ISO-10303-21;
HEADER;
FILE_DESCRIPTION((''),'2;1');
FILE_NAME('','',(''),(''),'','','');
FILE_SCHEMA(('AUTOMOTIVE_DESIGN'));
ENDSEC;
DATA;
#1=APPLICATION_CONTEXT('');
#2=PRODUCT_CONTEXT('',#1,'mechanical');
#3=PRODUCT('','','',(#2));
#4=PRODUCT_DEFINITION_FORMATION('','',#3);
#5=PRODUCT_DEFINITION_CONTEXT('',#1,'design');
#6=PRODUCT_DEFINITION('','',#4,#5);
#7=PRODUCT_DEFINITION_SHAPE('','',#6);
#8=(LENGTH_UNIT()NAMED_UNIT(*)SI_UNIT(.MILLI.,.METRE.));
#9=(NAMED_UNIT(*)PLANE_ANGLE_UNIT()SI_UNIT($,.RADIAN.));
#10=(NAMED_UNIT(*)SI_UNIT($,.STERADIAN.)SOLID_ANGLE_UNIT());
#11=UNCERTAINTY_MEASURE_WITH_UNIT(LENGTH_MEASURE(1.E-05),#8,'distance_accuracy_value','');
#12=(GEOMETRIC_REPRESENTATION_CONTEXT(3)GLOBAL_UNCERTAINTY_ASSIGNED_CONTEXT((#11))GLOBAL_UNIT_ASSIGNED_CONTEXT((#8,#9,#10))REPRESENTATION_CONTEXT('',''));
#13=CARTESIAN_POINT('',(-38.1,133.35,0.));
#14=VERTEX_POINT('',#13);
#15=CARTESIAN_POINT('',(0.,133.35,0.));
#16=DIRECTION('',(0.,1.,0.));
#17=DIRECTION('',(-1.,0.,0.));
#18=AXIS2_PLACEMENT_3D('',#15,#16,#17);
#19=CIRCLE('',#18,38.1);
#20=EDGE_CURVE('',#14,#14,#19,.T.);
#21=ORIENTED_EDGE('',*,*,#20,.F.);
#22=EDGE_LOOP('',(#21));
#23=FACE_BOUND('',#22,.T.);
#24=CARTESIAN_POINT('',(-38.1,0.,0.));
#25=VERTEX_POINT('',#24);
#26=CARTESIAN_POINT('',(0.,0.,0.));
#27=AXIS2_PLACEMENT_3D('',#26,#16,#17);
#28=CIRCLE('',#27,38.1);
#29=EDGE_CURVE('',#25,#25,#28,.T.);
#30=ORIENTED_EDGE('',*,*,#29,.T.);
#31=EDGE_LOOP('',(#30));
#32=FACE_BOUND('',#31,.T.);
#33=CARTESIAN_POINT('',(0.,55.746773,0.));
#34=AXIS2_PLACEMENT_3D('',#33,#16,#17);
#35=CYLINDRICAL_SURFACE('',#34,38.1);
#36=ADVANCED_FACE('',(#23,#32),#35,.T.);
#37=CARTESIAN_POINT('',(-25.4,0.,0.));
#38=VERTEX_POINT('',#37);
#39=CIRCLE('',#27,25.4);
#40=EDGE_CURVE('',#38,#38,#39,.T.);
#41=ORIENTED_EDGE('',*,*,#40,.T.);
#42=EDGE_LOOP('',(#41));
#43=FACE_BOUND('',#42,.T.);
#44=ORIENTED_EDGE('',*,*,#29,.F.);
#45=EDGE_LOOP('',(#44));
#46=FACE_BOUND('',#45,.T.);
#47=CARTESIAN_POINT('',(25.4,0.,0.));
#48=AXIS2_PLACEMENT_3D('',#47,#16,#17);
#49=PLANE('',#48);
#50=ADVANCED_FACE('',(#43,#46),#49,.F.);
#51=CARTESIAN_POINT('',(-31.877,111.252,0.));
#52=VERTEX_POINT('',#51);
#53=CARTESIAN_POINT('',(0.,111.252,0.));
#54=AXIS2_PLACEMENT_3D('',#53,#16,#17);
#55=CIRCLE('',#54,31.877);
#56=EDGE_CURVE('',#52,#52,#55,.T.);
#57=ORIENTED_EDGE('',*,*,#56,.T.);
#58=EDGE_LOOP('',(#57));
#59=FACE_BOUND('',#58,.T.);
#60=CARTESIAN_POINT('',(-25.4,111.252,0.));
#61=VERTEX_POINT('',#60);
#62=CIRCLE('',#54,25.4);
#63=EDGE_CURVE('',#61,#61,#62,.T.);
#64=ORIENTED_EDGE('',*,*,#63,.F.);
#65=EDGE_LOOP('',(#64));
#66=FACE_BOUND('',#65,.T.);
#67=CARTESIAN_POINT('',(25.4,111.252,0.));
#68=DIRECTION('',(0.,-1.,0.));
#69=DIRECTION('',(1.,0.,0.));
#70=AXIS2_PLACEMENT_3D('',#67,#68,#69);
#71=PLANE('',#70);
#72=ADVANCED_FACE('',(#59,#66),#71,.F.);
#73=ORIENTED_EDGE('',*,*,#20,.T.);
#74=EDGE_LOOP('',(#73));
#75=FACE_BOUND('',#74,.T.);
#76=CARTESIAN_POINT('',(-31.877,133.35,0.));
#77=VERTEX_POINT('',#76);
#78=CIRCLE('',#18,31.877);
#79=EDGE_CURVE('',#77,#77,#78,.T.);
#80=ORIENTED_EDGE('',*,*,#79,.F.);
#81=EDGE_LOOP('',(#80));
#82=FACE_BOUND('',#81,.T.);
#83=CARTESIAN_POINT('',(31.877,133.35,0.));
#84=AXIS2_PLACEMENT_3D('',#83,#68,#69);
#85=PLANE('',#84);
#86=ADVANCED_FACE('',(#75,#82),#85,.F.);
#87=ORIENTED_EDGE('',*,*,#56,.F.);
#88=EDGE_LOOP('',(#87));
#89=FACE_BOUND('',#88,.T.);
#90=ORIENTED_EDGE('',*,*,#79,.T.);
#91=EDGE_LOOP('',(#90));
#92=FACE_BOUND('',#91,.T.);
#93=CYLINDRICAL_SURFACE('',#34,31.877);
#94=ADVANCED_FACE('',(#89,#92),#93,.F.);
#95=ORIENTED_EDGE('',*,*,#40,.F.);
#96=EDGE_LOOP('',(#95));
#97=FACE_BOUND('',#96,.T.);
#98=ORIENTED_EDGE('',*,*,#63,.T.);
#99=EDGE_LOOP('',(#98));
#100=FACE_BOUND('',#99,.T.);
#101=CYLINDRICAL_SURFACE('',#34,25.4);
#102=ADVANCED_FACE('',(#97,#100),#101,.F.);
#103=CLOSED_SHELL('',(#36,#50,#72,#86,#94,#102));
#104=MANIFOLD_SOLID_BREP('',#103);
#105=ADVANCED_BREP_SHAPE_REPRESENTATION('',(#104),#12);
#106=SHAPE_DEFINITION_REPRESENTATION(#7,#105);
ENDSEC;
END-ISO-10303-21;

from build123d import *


with BuildPart() as part:
    # Sketch1 → Revolve1 (revolve)
    with BuildSketch(Plane.XY, mode=Mode.PRIVATE) as revolve1_sk:
        Polygon((25.4, 0), (38.1, 0), (38.1, 133.35), (31.877, 133.35), (31.877, 111.252), (25.4, 111.252), align=None)
    revolve(revolve1_sk.sketch.rotate(Axis((0, 55.746772516, 0), (0, -1, 0)), 180), axis=Axis((0, 55.746772516, 0), (0, -1, 0)))


solid = part.part
